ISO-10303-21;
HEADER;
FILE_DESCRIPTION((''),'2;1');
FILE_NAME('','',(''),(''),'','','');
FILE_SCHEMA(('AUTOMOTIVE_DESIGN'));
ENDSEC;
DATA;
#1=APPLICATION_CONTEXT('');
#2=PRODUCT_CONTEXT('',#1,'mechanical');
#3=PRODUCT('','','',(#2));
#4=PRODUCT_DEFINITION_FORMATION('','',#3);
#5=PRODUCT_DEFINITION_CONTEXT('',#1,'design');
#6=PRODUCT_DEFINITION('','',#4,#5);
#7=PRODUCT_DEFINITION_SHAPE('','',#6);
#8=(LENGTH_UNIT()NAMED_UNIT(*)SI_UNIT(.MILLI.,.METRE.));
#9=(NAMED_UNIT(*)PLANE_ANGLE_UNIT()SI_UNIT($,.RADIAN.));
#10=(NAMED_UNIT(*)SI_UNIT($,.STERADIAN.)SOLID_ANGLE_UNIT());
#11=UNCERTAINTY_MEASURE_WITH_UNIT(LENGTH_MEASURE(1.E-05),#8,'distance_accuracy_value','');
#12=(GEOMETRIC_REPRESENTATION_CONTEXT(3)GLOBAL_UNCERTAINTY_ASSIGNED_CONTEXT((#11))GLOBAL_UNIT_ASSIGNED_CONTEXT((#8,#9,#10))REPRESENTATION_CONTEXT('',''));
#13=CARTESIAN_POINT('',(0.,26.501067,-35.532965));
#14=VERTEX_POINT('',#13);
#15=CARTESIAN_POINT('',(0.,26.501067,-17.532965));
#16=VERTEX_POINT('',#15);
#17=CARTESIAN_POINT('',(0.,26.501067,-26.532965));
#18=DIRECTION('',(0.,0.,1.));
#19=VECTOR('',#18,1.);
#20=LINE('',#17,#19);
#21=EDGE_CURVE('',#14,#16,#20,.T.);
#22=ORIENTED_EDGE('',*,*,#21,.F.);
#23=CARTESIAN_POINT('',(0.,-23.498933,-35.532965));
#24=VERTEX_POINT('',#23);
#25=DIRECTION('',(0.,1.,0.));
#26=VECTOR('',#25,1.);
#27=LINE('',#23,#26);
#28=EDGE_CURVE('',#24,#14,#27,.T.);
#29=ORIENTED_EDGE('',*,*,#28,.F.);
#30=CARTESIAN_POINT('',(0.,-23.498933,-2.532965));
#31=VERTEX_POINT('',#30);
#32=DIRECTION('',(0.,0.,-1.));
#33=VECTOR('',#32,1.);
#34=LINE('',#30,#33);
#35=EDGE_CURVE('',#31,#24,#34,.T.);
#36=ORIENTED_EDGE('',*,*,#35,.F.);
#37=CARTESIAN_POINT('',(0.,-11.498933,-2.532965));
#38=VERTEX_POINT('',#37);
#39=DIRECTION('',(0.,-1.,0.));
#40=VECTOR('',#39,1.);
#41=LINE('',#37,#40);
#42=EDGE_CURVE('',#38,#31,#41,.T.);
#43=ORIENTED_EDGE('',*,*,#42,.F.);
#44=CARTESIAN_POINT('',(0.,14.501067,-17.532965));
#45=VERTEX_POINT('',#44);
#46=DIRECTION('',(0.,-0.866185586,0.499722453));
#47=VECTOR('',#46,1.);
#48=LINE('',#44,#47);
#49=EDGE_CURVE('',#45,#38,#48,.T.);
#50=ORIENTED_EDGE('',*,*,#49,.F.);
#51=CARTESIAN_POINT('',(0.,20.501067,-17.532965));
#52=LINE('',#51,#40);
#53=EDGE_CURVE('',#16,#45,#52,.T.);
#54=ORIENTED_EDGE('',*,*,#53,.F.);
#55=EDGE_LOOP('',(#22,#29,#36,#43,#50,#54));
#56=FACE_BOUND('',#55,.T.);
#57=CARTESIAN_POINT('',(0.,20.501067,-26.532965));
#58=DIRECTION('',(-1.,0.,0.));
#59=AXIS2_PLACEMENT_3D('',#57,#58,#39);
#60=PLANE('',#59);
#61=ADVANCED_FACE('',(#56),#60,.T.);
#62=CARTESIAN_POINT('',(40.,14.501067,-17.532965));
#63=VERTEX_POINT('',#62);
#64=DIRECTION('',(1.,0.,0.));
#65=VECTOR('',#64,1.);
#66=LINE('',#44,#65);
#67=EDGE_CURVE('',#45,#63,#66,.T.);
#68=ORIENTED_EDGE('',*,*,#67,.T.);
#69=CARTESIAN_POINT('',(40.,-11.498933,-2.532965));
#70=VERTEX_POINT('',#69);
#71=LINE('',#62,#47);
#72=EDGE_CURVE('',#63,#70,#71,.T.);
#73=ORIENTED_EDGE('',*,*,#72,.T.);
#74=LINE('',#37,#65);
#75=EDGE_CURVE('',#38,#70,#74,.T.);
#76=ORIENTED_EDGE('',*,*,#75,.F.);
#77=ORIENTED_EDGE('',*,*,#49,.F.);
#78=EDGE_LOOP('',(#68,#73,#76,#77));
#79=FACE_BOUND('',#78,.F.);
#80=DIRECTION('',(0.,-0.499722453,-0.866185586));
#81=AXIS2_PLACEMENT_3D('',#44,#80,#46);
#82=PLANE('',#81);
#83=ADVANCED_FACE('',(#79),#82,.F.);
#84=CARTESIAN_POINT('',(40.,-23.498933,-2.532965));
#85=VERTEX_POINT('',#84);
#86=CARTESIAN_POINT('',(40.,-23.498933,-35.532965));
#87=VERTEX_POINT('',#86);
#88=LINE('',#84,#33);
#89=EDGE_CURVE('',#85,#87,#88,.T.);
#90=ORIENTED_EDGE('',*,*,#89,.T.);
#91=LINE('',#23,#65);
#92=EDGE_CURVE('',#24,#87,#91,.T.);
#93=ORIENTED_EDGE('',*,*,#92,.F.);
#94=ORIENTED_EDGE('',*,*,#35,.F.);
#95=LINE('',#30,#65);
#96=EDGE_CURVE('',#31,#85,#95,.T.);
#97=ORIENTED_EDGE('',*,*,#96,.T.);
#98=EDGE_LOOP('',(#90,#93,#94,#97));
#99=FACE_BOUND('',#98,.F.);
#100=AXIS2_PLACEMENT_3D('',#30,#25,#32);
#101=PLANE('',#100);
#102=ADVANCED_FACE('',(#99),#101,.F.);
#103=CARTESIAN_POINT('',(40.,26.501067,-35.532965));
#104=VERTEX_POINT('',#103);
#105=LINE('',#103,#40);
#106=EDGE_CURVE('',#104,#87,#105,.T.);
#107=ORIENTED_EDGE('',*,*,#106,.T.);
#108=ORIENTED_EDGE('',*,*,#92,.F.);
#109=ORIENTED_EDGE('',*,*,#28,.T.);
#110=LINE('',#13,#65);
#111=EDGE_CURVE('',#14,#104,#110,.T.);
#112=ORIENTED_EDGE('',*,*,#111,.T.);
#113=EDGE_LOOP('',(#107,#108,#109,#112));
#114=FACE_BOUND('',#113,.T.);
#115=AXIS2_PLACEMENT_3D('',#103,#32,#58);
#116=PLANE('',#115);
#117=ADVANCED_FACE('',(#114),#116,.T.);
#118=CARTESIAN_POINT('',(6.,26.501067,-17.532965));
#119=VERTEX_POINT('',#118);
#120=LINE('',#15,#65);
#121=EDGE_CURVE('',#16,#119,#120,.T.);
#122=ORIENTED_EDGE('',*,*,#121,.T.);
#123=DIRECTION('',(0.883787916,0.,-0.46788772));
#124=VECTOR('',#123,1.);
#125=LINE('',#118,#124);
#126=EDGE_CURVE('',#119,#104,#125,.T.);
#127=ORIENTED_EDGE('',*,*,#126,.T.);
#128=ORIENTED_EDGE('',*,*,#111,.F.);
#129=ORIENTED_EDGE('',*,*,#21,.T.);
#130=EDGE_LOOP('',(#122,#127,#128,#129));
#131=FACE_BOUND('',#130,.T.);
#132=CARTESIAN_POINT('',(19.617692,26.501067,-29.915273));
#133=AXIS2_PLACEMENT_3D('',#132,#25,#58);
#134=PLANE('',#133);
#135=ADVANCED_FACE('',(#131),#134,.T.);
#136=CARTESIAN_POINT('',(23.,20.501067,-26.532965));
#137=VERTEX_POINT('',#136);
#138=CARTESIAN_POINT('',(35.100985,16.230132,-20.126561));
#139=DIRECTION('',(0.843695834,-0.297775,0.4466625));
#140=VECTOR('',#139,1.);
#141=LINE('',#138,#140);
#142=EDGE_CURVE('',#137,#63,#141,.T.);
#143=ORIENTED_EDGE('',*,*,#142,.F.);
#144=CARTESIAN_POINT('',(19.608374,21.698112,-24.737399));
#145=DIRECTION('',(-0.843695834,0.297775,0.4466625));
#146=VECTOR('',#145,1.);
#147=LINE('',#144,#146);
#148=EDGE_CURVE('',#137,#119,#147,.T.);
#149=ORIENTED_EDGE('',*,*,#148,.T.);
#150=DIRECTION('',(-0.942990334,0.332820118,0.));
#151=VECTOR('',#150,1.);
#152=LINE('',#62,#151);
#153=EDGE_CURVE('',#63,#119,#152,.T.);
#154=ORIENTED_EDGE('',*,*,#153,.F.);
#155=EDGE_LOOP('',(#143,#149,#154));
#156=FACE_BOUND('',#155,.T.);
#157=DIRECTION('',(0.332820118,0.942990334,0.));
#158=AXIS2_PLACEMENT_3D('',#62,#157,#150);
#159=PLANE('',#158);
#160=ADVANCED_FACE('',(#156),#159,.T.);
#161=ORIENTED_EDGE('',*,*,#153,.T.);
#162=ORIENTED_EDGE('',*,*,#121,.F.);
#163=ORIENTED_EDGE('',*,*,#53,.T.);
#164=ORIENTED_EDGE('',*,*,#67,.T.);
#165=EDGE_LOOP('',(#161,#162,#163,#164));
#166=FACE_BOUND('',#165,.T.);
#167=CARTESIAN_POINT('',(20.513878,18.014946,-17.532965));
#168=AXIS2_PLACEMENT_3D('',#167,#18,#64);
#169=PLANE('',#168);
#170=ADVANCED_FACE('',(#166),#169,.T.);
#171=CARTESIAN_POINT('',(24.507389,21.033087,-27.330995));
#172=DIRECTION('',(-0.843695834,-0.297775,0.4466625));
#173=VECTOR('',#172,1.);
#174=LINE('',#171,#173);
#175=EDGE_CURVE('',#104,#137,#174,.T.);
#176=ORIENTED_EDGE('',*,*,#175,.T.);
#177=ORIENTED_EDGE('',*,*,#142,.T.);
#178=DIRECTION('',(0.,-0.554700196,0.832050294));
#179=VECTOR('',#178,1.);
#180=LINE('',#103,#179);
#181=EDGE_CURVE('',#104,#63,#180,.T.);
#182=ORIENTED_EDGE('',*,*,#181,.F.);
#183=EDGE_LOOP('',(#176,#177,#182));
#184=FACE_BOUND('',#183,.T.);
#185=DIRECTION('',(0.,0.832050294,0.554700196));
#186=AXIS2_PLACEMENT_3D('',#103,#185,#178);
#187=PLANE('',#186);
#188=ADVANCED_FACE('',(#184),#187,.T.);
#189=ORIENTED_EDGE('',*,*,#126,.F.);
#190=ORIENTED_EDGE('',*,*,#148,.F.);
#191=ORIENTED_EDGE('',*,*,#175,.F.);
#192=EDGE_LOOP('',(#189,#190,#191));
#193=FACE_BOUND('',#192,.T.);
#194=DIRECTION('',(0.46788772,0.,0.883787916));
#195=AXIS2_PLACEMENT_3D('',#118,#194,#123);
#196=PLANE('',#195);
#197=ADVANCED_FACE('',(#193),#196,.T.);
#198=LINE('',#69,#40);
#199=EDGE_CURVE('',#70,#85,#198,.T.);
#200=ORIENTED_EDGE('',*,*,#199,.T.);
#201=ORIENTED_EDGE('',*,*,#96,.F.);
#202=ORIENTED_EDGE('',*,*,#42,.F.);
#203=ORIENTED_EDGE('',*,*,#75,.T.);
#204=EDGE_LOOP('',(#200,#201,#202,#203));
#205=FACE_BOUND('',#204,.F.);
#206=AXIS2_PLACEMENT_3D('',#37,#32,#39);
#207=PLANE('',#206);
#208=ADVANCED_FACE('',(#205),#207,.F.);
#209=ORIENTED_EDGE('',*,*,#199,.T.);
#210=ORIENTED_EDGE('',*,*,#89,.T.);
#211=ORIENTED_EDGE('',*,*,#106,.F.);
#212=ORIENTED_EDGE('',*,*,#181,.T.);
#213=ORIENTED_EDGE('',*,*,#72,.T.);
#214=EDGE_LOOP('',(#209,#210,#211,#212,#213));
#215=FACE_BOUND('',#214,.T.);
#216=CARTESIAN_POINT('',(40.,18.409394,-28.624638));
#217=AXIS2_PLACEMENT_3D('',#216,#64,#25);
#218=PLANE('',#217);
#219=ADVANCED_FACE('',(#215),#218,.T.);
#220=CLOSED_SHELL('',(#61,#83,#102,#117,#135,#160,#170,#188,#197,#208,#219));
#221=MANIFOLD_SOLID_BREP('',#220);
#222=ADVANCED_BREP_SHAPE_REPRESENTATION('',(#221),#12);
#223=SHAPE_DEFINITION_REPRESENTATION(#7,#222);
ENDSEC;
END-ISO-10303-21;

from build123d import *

# Parameters (mm, degrees)
F1_DEPTH = 40
F2_W     = 12
F2_H     = 18
F3_DEPTH = 6
F7_DEPTH = 25.4
F8_DEPTH = 13.462
F9_DEPTH = 31.496


with BuildPart() as f1:
    # F0 (on Right) → F1 (new body)
    with BuildSketch(Plane.YZ):
        Polygon((-23.4989325106, -35.5329651147), (14.5010674894, -35.5329651147), (14.5010674894, -17.5329651147), (-11.4989325106, -2.5329651147), (-23.4989325106, -2.5329651147), align=None)
    extrude(amount=F1_DEPTH)

    # F2 (on face) → F3 (join)
    with BuildSketch(Plane(origin=(0, 0, 0), x_dir=(0, -1, 0), z_dir=(-1, 0, 0))):
        with Locations((-20.5010674894, -26.5329651147)):
            Rectangle(F2_W, F2_H)
    extrude(amount=-F3_DEPTH)

    # F5 (on face) → F7 (join)
    with BuildSketch(Plane(origin=(0, 26.5010674894, 0), x_dir=(-1, 0, 0), z_dir=(0, 1, 0))):
        Polygon((-40, -35.5329651147), (-6, -35.5329651147), (-6, -17.5329651147), align=None)
    extrude(amount=-F7_DEPTH)

    # F4 (on face) → F8 (join)
    with BuildSketch(Plane.XY.offset(-17.5329651147)):
        Polygon((6, 26.5010674894), (6, 14.5010674894), (40, 14.5010674894), align=None)
    extrude(amount=-F8_DEPTH)

    # F6 (on face) → F9 (join)
    with BuildSketch(Plane.YZ.offset(40)):
        Polygon((14.5010674894, -17.5329651147), (14.5010674894, -35.5329651147), (26.5010674894, -35.5329651147), align=None)
    extrude(amount=-F9_DEPTH)


solid = f1.part
